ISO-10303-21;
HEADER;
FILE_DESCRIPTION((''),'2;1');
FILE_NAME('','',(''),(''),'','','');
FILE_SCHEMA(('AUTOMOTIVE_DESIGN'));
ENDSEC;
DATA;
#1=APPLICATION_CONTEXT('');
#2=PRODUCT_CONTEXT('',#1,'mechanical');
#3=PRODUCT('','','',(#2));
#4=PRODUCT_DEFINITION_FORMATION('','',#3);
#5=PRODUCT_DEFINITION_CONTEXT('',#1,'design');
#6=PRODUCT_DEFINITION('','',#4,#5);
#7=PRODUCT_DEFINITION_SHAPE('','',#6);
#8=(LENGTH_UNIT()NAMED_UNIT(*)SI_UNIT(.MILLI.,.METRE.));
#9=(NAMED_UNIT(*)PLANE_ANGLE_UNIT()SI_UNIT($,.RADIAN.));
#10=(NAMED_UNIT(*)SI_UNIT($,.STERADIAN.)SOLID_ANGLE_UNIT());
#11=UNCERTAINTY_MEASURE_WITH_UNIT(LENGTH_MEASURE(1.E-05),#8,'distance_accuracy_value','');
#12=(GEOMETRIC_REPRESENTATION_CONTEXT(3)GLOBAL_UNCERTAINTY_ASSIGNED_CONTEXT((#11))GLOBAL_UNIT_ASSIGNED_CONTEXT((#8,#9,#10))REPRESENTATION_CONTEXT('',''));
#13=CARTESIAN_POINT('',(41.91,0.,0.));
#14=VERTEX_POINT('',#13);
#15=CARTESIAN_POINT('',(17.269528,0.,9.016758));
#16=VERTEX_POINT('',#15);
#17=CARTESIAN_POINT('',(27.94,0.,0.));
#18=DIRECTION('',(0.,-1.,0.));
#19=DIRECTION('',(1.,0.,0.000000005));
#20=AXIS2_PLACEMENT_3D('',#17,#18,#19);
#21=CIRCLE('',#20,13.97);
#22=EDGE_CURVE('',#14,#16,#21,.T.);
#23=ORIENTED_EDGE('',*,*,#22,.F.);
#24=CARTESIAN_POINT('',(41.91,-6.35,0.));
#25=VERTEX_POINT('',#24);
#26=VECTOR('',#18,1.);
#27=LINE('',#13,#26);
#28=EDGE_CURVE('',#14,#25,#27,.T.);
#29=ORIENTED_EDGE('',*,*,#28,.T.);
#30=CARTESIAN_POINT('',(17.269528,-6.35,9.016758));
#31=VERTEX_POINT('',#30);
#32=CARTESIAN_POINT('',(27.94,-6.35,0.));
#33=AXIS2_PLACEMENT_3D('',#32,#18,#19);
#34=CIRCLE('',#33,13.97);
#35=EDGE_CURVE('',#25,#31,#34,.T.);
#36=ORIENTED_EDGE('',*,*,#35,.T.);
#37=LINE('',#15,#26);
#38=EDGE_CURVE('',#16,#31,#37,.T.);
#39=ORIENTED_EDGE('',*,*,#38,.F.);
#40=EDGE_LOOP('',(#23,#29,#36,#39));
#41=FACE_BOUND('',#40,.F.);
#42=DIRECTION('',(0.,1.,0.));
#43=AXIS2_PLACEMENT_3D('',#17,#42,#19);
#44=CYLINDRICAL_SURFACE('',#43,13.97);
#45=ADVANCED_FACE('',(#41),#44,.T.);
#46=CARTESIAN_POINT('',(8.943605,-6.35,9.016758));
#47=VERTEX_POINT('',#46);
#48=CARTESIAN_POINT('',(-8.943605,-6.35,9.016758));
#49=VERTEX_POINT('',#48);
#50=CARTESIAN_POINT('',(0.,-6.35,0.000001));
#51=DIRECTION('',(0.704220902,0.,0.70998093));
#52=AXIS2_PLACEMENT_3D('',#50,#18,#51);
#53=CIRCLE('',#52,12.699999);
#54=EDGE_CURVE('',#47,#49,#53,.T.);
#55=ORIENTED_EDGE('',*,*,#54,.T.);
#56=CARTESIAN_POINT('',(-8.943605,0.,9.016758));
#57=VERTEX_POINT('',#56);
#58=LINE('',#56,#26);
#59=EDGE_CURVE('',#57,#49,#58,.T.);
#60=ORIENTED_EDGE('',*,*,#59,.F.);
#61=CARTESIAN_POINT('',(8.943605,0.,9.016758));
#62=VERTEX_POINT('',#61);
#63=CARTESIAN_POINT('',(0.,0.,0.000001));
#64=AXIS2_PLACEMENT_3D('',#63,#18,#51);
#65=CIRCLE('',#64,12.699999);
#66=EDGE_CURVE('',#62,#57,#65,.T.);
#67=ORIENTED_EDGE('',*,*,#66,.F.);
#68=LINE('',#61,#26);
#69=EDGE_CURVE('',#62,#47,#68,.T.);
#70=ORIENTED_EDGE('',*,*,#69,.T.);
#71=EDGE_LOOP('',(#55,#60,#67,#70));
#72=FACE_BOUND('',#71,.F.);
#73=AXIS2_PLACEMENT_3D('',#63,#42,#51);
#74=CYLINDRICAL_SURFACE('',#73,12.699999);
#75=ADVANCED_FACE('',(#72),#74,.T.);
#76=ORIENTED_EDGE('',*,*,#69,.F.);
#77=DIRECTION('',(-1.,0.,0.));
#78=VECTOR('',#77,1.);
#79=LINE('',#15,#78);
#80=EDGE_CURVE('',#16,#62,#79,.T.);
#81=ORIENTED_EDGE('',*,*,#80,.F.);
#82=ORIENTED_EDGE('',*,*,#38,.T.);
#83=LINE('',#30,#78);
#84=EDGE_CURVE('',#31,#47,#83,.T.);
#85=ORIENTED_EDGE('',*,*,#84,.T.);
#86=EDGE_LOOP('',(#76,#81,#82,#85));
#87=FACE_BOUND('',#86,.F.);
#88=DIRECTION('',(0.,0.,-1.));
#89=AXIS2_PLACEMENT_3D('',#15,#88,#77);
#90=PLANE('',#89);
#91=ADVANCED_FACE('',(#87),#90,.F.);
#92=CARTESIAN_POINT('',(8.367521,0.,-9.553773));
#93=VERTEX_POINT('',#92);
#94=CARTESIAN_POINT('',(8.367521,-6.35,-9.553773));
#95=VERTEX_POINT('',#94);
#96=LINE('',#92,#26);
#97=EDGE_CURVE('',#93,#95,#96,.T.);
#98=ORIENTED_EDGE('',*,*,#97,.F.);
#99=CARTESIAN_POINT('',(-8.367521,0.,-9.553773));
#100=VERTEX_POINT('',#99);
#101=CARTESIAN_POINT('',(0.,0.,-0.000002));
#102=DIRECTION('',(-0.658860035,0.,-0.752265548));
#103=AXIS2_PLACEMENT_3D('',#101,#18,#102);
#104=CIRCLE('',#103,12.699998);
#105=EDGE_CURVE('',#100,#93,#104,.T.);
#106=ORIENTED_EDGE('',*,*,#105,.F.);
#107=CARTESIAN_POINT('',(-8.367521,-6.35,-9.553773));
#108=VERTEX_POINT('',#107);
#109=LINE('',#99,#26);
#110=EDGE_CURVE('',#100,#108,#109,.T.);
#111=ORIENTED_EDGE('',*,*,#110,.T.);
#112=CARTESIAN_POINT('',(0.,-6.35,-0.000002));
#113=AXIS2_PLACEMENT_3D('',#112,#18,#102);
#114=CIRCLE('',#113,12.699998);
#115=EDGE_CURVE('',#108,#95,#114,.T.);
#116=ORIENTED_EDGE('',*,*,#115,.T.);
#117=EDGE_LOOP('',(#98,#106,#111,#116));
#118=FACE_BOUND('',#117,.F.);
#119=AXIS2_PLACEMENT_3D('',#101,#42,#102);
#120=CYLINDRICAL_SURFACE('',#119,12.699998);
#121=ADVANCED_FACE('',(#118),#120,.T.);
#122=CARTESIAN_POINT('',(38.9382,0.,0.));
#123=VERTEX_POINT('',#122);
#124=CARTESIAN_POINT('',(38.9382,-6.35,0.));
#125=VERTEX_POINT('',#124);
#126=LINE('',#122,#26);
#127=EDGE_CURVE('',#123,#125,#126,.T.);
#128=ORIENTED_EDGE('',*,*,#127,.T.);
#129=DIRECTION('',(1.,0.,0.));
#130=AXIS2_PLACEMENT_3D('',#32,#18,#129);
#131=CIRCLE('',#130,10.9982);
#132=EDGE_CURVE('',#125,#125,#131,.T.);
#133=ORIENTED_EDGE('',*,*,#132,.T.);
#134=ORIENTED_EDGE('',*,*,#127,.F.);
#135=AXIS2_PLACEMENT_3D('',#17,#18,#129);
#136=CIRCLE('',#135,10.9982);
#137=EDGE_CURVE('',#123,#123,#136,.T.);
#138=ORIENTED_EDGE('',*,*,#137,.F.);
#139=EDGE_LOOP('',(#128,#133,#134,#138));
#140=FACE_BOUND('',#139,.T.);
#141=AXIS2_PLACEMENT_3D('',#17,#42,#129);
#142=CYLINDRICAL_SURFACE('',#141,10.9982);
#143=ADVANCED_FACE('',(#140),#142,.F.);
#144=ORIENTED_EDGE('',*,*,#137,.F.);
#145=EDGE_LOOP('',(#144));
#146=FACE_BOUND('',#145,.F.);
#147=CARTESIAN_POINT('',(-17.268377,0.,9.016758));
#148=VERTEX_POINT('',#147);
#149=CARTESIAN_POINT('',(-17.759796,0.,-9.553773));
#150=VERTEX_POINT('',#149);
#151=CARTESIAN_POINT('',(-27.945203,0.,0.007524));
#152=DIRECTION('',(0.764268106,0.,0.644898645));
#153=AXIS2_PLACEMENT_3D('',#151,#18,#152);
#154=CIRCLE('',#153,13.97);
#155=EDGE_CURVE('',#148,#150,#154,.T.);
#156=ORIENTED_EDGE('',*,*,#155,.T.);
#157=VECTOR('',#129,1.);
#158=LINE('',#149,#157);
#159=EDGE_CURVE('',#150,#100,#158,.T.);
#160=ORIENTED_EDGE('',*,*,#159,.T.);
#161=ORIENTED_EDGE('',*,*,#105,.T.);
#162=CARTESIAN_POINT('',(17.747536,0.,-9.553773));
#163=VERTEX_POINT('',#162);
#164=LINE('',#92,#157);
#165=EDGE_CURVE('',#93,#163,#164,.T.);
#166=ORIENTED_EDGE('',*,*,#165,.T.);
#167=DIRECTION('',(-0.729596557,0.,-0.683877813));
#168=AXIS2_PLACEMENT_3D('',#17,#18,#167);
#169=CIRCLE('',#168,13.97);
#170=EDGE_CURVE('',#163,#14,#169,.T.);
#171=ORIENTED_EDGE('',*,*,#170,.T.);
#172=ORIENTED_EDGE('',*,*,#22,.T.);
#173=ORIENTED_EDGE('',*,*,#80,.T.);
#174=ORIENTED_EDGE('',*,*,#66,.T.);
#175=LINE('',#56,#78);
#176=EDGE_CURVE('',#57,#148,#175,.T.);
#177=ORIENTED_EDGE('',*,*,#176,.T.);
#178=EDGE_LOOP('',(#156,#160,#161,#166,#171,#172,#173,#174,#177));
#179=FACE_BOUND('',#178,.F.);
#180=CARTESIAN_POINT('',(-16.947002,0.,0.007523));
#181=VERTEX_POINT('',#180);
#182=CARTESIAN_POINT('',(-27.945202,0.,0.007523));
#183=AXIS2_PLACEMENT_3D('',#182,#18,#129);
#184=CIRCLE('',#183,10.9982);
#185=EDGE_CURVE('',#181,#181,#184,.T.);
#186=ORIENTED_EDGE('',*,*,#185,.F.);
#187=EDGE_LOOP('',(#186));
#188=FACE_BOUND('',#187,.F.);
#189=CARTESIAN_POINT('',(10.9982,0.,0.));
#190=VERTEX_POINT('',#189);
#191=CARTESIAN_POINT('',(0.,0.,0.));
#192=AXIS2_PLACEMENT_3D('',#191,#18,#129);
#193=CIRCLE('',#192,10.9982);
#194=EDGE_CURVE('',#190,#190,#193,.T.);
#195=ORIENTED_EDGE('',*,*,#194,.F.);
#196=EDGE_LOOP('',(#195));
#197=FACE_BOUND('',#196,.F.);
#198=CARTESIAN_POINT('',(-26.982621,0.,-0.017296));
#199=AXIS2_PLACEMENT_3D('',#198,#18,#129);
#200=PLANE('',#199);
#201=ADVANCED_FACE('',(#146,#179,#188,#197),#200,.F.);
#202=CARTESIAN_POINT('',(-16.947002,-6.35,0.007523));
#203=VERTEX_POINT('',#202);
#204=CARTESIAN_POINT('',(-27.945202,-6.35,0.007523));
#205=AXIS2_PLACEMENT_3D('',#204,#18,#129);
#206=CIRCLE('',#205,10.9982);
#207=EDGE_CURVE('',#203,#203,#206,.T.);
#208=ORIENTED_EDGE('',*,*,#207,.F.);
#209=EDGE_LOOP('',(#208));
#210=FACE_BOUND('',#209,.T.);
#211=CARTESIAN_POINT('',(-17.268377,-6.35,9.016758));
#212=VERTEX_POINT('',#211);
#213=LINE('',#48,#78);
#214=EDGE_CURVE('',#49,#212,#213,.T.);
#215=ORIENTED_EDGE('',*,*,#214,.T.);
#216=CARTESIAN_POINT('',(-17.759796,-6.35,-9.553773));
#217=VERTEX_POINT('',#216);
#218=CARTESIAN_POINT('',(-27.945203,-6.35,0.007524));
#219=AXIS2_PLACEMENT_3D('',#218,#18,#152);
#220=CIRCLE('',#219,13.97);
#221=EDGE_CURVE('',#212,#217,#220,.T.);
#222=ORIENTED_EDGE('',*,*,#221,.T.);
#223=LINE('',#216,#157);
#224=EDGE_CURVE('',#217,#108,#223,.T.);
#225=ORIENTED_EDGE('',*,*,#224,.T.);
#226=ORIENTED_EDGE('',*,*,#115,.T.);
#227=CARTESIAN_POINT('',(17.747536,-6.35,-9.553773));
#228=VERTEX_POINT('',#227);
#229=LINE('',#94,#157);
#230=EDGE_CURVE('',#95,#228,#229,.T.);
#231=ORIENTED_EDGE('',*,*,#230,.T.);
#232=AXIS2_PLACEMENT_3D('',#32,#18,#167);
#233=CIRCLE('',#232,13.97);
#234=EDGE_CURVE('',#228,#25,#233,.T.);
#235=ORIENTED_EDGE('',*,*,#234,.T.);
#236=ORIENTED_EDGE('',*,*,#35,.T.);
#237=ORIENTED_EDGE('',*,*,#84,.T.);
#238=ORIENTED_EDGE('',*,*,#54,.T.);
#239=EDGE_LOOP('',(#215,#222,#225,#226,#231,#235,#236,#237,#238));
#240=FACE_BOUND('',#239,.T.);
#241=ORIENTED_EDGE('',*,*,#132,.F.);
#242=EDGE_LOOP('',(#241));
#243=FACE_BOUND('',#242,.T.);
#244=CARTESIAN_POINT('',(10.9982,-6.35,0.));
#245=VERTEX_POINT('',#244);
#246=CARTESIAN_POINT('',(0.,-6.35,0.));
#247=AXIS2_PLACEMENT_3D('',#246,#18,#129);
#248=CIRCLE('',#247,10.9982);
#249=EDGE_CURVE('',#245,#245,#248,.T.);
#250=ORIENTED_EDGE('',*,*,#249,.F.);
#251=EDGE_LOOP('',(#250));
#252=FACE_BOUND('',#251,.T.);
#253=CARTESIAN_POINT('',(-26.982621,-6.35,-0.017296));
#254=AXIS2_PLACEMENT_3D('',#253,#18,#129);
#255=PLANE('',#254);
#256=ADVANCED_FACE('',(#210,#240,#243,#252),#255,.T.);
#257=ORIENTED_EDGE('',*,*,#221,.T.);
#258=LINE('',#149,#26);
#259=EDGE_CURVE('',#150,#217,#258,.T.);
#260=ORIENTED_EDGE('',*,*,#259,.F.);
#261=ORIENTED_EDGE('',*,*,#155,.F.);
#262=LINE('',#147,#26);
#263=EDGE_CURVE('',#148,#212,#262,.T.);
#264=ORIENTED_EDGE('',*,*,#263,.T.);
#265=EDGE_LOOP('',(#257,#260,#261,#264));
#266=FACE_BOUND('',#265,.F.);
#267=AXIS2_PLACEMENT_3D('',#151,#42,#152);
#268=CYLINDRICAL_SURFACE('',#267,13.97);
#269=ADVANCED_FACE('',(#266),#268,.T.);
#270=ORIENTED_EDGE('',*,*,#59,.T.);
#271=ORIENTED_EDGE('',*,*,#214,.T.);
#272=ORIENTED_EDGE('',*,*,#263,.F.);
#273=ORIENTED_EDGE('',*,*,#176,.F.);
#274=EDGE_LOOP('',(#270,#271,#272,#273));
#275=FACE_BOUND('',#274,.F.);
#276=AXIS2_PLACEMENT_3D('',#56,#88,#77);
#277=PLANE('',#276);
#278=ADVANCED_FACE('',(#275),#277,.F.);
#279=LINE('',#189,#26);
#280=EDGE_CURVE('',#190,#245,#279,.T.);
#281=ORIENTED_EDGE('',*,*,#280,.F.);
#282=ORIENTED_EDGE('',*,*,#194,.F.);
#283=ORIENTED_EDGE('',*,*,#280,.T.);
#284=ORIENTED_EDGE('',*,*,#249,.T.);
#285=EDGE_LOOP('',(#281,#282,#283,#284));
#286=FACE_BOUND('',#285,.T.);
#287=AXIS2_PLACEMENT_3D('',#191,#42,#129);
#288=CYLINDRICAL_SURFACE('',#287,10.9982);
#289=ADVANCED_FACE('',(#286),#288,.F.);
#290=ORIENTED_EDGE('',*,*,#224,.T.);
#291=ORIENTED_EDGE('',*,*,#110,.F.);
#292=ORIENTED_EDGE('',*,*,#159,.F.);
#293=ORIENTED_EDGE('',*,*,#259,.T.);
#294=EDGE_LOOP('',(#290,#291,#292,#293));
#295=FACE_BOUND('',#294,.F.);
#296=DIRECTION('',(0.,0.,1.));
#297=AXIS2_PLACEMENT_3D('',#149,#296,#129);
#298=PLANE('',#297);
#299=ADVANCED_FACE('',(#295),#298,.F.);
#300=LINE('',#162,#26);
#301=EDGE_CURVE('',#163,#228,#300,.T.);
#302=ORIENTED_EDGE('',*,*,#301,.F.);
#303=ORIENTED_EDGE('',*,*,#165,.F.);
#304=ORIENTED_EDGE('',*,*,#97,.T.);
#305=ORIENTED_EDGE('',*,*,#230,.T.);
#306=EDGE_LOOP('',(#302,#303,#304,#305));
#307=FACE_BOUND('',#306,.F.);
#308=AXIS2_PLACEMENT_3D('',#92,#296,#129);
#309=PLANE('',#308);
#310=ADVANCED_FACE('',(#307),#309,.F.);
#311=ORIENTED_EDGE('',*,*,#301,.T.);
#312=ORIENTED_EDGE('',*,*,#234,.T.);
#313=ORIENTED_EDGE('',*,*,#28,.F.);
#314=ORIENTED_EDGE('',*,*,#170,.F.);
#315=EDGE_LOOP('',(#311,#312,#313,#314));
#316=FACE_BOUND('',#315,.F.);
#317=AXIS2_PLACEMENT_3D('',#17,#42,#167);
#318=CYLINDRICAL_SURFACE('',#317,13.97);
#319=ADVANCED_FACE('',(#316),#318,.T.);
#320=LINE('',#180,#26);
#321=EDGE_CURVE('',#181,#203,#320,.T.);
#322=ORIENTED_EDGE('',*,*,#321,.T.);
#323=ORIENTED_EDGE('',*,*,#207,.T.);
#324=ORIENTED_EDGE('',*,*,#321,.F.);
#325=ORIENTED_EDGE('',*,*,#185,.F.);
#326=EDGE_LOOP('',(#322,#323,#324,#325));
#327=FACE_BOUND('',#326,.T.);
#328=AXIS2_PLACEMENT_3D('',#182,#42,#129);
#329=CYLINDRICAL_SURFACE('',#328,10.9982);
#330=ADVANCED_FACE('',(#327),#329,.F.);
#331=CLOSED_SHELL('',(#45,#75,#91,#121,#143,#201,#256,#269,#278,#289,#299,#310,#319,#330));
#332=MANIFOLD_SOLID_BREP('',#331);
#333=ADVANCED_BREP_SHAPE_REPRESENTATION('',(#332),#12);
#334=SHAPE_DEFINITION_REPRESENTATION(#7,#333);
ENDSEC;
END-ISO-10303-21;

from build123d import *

# Parameters (mm, degrees)
F0_R     = 10.9982
F1_DEPTH = 6.35


with BuildPart() as f1:
    # F0 (on Front) → F1 (new body)
    with BuildSketch(Plane.XZ):
        with BuildLine():
            ThreePointArc((-17.759796, -9.553773), (-14.955764, -5.134012), (-13.975202, 0.007523))
            ThreePointArc((-13.975202, 0.007523), (-14.8243, 4.80365), (-17.268377, 9.016758))
            ThreePointArc((-17.268377, 9.016758), (-41.910314, 0.377072), (-17.759796, -9.553773))
        make_face()
        with Locations((-27.945202, 0.007523)):
            Circle(F0_R, mode=Mode.SUBTRACT)
        with BuildLine():
            ThreePointArc((-17.268377, 9.016758), (-14.8243, 4.80365), (-13.975202, 0.007523))
            ThreePointArc((-13.975202, 0.007523), (-14.955764, -5.134012), (-17.759796, -9.553773))
            Line((-17.759796, -9.553773), (-8.367521, -9.553773))
            ThreePointArc((-8.367521, -9.553773), (-12.693894, -0.393782), (-8.943605, 9.016758))
            Line((-8.943605, 9.016758), (-17.268377, 9.016758))
        make_face()
        with BuildLine():
            ThreePointArc((8.943605, 9.016758), (0, 12.7), (-8.943605, 9.016758))
            ThreePointArc((-8.943605, 9.016758), (-12.693894, -0.393782), (-8.367521, -9.553773))
            ThreePointArc((-8.367521, -9.553773), (0, -12.7), (8.367521, -9.553773))
            ThreePointArc((8.367521, -9.553773), (11.566277, -5.245116), (12.7, 0))
            ThreePointArc((12.7, 0), (11.723348, 4.883964), (8.943605, 9.016758))
        make_face()
        Circle(F0_R, mode=Mode.SUBTRACT)
        with BuildLine():
            Line((17.269528, 9.016758), (8.943605, 9.016758))
            ThreePointArc((8.943605, 9.016758), (11.723348, 4.883964), (12.7, 0))
            ThreePointArc((12.7, 0), (11.566277, -5.245116), (8.367521, -9.553773))
            Line((8.367521, -9.553773), (17.747536, -9.553773))
            ThreePointArc((17.747536, -9.553773), (13.974626, -0.359471), (17.269528, 9.016758))
        make_face()
        with BuildLine():
            ThreePointArc((41.91, 0), (32.74075, 13.119211), (17.269528, 9.016758))
            ThreePointArc((17.269528, 9.016758), (13.974626, -0.359471), (17.747536, -9.553773))
            ThreePointArc((17.747536, -9.553773), (33.076739, -12.991336), (41.91, 0))
        make_face()
        with Locations((27.94, 0)):
            Circle(F0_R, mode=Mode.SUBTRACT)
    extrude(amount=F1_DEPTH)


solid = f1.part
